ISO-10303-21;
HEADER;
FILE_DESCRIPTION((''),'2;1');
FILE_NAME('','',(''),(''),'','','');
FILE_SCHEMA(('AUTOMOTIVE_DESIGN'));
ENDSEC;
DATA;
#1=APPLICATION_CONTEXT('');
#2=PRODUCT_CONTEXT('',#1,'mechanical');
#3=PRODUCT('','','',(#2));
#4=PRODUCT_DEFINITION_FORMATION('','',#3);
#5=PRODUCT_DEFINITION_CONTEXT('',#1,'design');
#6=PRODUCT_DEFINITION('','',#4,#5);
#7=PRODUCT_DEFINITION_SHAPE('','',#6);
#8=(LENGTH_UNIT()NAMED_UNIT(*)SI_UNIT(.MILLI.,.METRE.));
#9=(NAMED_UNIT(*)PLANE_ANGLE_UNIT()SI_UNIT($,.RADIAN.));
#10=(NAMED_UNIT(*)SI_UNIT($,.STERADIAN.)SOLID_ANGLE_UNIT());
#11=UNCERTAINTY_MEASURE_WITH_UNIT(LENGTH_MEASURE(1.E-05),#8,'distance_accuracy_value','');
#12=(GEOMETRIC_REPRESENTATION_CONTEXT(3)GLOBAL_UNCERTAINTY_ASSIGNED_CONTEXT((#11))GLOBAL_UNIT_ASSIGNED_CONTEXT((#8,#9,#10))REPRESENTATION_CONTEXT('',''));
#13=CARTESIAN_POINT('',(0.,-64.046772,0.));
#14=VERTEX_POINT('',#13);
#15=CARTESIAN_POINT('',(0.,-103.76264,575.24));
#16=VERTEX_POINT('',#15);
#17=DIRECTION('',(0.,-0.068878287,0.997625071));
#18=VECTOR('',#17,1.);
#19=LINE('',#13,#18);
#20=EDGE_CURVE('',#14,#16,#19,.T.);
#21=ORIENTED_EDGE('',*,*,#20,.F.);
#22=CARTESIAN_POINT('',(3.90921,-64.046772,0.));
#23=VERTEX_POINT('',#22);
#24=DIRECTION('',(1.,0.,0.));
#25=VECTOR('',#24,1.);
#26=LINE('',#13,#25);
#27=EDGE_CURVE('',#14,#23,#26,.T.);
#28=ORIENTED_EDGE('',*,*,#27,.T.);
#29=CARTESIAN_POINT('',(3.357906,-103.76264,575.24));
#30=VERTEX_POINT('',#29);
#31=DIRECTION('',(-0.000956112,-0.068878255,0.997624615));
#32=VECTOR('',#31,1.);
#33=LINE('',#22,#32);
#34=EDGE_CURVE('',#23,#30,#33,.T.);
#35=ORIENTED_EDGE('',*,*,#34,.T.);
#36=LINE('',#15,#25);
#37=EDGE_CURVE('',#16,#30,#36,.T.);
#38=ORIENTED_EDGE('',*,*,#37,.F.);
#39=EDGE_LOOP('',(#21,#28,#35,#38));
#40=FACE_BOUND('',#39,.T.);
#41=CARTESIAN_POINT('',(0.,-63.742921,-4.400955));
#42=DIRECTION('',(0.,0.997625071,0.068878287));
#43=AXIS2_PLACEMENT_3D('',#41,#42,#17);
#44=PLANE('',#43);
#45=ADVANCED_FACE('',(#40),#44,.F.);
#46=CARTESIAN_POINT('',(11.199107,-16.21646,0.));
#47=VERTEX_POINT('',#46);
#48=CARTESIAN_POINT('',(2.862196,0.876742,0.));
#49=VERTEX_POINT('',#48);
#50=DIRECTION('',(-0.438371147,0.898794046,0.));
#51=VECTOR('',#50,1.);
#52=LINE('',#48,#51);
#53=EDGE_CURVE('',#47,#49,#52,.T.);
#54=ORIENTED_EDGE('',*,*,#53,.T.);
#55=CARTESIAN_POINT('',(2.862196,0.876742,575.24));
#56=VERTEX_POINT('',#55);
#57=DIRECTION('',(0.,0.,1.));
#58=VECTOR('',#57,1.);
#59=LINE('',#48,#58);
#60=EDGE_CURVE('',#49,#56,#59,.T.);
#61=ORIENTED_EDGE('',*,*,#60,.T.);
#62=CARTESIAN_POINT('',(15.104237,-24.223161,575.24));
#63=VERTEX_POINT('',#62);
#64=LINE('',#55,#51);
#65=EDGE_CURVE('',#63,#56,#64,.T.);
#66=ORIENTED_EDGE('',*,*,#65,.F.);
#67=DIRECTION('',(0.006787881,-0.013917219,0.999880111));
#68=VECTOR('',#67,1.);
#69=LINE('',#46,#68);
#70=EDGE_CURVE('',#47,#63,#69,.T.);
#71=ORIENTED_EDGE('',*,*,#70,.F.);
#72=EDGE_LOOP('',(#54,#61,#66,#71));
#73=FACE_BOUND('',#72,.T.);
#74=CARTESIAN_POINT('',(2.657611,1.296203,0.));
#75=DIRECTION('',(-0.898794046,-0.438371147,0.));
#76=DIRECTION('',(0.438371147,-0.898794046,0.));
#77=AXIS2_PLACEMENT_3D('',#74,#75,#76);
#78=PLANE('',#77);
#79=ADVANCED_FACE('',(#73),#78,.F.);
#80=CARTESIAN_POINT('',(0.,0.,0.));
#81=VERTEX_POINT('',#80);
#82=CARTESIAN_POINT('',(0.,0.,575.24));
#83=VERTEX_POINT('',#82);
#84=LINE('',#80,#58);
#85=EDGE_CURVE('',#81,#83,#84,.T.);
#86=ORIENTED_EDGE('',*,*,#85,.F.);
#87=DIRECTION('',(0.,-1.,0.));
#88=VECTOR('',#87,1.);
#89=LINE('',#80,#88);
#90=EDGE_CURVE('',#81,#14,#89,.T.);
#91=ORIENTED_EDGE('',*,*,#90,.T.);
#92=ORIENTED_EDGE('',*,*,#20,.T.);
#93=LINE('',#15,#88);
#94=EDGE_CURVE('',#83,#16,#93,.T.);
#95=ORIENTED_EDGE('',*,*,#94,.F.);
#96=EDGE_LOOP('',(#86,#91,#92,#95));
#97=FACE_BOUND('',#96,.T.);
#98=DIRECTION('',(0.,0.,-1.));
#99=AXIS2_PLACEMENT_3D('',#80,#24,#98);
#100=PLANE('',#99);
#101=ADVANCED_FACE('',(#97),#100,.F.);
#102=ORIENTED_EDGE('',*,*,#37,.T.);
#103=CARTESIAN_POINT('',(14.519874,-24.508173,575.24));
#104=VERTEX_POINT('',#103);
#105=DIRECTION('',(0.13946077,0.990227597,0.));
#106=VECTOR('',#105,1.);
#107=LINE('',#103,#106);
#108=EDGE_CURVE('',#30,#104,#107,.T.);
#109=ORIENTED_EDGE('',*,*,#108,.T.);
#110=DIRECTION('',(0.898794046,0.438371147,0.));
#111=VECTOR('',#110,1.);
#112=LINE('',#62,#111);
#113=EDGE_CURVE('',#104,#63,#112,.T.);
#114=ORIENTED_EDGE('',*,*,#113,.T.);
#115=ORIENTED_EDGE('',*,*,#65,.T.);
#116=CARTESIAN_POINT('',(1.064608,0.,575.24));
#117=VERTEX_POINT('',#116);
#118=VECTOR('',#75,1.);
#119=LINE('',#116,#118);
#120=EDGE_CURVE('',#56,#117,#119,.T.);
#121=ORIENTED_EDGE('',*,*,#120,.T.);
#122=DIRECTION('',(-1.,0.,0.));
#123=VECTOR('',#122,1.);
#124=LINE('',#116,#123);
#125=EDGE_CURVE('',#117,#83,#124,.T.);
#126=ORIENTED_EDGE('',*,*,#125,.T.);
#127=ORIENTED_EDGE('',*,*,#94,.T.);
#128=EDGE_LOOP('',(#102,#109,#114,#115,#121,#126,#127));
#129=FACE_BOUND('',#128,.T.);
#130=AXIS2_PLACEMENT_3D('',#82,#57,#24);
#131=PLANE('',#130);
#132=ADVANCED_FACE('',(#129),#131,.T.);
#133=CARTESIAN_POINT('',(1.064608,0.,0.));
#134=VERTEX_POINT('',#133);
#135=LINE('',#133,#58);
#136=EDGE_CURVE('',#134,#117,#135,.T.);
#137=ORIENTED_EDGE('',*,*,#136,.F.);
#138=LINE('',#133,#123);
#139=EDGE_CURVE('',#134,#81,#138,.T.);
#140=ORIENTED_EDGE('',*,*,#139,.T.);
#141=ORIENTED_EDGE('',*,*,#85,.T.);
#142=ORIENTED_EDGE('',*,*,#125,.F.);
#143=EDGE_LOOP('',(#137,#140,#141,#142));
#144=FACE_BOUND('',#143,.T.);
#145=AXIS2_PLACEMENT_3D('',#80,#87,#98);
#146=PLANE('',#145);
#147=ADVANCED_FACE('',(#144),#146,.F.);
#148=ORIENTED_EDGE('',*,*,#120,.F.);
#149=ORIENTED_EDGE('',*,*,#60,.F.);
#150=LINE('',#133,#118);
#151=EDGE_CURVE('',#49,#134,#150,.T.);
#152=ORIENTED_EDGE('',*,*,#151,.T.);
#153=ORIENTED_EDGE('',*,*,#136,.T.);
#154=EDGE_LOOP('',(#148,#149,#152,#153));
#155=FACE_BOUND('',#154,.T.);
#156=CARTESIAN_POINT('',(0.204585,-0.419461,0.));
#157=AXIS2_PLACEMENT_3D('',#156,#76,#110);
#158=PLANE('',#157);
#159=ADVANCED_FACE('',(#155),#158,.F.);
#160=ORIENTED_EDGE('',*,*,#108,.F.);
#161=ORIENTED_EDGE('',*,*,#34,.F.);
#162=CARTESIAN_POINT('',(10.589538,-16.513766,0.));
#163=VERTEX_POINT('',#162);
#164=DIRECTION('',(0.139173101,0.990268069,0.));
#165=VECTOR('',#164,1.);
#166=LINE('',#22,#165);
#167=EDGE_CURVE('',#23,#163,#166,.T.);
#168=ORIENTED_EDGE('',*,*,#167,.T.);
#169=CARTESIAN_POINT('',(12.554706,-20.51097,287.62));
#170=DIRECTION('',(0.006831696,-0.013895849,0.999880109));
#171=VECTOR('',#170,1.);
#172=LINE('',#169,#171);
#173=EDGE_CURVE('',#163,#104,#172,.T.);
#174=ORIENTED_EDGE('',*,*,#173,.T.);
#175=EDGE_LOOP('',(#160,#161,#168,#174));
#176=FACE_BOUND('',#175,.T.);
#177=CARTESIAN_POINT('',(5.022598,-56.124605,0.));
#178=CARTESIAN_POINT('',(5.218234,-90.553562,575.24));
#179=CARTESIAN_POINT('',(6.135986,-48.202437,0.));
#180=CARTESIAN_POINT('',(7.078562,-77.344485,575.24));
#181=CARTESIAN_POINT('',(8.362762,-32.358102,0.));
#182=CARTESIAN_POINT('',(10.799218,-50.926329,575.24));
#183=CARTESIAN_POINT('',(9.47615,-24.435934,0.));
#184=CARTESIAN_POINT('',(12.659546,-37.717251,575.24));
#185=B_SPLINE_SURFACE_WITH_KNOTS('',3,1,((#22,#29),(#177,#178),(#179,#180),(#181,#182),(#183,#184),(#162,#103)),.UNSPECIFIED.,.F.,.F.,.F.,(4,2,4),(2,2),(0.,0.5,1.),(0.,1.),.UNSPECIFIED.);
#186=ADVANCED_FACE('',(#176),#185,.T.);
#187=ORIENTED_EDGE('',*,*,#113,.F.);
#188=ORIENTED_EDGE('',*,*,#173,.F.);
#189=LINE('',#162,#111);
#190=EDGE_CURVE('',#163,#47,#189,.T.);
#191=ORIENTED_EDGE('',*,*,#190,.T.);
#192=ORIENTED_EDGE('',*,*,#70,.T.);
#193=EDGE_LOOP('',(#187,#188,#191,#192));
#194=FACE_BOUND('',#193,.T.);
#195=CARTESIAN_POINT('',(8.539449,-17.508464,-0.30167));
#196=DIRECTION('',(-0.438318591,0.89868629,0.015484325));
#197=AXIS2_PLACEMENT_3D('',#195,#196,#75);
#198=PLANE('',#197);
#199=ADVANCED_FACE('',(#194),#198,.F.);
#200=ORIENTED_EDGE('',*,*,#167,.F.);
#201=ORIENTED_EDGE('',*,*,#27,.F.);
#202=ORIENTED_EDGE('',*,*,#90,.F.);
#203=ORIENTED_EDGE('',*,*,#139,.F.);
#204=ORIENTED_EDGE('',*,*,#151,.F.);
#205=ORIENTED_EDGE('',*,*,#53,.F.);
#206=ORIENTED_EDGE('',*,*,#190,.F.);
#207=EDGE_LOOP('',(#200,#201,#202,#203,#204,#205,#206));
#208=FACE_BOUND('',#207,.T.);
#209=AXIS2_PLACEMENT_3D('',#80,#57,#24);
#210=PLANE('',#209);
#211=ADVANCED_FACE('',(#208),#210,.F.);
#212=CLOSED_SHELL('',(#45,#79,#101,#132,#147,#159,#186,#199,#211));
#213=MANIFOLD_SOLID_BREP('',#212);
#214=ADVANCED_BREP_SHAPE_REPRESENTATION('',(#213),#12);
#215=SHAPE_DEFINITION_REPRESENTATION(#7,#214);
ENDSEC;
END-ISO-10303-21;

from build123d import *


with BuildPart() as part:
    # 草图2 → 放样1 section 0
    with BuildSketch(Plane.XY):
        with BuildLine():
            Line((0, -64.046772386), (3.909209818, -64.046772386))
            Line((3.909209818, -64.046772386), (10.589538167, -16.513766316))
            Line((10.589538167, -16.513766316), (11.199107472, -16.216459501))
            Line((11.199107472, -16.216459501), (2.862195914, 0.876742294))
            Line((2.862195914, 0.876742294), (1.064607822, 0))
            Line((1.064607822, 0), (0, 0))
            Line((0, 0), (0, -64.046772386))
        make_face()
    # 草图4 → 放样1 section 1
    with BuildSketch(Plane.XY.offset(575.24)):
        with BuildLine():
            Line((0, -103.762640376), (3.35790611, -103.762640376))
            Line((3.35790611, -103.762640376), (14.519874435, -24.508173078))
            Line((14.519874435, -24.508173078), (15.104236542, -24.223160634))
            Line((15.104236542, -24.223160634), (2.862195914, 0.876742294))
            Line((2.862195914, 0.876742294), (1.064607822, 0))
            Line((1.064607822, 0), (0, 0))
            Line((0, 0), (0, -103.762640376))
        make_face()
    loft()


solid = part.part
